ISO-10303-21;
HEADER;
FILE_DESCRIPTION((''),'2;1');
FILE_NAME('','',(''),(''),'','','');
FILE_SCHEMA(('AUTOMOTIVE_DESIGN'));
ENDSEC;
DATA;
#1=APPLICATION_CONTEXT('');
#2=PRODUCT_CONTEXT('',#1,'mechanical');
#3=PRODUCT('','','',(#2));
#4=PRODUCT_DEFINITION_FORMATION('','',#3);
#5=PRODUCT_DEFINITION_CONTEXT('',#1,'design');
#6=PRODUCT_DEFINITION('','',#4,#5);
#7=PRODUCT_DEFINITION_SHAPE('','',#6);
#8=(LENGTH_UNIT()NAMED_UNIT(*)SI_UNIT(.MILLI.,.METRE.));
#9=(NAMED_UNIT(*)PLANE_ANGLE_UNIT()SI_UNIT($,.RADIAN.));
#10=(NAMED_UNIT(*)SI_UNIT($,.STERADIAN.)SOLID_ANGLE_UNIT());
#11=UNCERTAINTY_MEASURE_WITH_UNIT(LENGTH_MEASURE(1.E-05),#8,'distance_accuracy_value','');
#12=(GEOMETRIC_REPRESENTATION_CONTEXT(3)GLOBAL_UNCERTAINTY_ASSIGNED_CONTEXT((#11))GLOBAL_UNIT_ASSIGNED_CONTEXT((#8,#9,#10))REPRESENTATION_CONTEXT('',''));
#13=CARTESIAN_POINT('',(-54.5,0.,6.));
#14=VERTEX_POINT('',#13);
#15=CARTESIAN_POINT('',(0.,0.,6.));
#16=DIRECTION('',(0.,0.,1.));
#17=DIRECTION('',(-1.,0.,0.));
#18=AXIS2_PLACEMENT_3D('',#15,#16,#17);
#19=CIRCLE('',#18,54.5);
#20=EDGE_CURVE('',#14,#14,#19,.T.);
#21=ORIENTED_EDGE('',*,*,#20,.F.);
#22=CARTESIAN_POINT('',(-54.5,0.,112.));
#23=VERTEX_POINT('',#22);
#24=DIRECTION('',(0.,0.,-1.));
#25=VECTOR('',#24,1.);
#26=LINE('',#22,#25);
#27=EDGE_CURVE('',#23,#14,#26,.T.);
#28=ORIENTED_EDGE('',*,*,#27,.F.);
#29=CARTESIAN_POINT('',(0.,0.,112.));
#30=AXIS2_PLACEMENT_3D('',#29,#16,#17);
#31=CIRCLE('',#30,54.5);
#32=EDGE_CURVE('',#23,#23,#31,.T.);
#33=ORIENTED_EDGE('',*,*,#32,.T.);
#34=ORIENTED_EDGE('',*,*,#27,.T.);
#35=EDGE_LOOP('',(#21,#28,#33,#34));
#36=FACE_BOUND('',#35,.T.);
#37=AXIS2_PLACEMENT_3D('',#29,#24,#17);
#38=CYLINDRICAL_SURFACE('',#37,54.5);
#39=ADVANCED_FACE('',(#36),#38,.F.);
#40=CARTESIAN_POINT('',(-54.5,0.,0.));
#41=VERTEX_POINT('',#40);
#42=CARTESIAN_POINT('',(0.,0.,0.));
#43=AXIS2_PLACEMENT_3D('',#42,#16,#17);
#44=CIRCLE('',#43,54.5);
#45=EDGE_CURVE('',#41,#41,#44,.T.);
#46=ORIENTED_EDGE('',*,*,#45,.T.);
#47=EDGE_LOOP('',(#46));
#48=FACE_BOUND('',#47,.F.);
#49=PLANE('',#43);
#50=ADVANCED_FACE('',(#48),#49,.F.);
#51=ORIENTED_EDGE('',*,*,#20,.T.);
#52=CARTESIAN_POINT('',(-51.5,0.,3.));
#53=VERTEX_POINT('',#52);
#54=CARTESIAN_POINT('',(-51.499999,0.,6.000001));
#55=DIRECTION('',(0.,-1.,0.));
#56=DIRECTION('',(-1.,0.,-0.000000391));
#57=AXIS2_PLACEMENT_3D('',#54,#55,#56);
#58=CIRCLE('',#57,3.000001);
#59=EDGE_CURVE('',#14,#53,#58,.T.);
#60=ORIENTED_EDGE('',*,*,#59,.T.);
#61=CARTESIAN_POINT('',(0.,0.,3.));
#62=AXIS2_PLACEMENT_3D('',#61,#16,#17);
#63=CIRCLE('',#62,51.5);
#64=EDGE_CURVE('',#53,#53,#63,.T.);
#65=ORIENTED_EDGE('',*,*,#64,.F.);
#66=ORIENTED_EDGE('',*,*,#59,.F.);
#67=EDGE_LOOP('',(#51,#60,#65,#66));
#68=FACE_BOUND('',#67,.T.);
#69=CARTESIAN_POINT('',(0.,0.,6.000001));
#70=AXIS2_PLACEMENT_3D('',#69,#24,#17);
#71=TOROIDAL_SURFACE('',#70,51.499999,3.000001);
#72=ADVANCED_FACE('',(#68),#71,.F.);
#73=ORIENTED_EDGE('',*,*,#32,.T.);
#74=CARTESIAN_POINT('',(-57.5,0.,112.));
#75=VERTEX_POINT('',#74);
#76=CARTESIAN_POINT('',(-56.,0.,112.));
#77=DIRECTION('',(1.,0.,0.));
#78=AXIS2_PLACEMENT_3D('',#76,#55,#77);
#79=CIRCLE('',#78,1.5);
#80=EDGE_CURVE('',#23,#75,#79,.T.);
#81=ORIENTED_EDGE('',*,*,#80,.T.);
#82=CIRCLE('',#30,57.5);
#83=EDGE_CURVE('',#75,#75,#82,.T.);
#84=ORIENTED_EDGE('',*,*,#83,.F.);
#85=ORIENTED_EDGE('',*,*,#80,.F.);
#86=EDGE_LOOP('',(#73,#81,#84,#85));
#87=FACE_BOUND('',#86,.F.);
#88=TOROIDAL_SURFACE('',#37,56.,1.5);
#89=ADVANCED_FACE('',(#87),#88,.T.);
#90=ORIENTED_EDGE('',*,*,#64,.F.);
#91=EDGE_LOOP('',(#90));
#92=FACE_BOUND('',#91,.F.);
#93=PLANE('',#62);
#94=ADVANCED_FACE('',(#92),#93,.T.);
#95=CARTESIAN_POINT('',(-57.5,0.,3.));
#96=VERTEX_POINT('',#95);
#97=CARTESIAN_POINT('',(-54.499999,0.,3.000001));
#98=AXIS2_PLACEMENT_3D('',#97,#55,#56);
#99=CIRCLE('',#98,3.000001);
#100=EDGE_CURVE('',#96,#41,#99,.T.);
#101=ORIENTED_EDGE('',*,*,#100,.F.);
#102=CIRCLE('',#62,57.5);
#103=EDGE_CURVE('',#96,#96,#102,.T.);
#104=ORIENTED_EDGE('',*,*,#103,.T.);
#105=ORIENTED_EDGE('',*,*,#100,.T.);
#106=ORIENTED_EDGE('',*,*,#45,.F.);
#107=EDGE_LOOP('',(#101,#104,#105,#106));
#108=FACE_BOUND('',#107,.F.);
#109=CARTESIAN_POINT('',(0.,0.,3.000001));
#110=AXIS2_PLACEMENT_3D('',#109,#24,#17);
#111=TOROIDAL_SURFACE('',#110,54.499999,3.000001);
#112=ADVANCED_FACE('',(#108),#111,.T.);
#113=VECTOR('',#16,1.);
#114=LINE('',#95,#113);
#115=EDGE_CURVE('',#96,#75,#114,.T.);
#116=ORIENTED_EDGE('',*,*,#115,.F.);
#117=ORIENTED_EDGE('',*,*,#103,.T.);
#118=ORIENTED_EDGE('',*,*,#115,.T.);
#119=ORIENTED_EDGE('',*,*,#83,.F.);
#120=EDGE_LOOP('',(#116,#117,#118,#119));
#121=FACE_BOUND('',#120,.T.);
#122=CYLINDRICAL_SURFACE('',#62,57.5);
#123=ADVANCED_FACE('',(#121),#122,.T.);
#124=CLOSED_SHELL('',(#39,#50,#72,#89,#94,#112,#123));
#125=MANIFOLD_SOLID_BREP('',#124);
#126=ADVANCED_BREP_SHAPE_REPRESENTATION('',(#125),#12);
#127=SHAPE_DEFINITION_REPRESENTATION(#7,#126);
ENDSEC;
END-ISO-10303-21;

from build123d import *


with BuildPart() as part:
    # Sketch → Revolution (revolve)
    with BuildSketch(Plane.XZ):
        with BuildLine():
            Line((-54.5, 0), (0, 0))
            Line((0, 3), (0, 0))
            Line((0, 3), (-51.5, 3))
            ThreePointArc((-54.5, 6), (-53.62132, 3.87868), (-51.5, 3))
            Line((-54.5, 112), (-54.5, 6))
            ThreePointArc((-54.5, 112), (-56, 113.5), (-57.5, 112))
            Line((-57.5, 3), (-57.5, 112))
            ThreePointArc((-57.5, 3), (-56.62132, 0.87868), (-54.5, 0))
        make_face()
    revolve(axis=Axis((0, 0, 0), (0, 0, 1)))


solid = part.part
